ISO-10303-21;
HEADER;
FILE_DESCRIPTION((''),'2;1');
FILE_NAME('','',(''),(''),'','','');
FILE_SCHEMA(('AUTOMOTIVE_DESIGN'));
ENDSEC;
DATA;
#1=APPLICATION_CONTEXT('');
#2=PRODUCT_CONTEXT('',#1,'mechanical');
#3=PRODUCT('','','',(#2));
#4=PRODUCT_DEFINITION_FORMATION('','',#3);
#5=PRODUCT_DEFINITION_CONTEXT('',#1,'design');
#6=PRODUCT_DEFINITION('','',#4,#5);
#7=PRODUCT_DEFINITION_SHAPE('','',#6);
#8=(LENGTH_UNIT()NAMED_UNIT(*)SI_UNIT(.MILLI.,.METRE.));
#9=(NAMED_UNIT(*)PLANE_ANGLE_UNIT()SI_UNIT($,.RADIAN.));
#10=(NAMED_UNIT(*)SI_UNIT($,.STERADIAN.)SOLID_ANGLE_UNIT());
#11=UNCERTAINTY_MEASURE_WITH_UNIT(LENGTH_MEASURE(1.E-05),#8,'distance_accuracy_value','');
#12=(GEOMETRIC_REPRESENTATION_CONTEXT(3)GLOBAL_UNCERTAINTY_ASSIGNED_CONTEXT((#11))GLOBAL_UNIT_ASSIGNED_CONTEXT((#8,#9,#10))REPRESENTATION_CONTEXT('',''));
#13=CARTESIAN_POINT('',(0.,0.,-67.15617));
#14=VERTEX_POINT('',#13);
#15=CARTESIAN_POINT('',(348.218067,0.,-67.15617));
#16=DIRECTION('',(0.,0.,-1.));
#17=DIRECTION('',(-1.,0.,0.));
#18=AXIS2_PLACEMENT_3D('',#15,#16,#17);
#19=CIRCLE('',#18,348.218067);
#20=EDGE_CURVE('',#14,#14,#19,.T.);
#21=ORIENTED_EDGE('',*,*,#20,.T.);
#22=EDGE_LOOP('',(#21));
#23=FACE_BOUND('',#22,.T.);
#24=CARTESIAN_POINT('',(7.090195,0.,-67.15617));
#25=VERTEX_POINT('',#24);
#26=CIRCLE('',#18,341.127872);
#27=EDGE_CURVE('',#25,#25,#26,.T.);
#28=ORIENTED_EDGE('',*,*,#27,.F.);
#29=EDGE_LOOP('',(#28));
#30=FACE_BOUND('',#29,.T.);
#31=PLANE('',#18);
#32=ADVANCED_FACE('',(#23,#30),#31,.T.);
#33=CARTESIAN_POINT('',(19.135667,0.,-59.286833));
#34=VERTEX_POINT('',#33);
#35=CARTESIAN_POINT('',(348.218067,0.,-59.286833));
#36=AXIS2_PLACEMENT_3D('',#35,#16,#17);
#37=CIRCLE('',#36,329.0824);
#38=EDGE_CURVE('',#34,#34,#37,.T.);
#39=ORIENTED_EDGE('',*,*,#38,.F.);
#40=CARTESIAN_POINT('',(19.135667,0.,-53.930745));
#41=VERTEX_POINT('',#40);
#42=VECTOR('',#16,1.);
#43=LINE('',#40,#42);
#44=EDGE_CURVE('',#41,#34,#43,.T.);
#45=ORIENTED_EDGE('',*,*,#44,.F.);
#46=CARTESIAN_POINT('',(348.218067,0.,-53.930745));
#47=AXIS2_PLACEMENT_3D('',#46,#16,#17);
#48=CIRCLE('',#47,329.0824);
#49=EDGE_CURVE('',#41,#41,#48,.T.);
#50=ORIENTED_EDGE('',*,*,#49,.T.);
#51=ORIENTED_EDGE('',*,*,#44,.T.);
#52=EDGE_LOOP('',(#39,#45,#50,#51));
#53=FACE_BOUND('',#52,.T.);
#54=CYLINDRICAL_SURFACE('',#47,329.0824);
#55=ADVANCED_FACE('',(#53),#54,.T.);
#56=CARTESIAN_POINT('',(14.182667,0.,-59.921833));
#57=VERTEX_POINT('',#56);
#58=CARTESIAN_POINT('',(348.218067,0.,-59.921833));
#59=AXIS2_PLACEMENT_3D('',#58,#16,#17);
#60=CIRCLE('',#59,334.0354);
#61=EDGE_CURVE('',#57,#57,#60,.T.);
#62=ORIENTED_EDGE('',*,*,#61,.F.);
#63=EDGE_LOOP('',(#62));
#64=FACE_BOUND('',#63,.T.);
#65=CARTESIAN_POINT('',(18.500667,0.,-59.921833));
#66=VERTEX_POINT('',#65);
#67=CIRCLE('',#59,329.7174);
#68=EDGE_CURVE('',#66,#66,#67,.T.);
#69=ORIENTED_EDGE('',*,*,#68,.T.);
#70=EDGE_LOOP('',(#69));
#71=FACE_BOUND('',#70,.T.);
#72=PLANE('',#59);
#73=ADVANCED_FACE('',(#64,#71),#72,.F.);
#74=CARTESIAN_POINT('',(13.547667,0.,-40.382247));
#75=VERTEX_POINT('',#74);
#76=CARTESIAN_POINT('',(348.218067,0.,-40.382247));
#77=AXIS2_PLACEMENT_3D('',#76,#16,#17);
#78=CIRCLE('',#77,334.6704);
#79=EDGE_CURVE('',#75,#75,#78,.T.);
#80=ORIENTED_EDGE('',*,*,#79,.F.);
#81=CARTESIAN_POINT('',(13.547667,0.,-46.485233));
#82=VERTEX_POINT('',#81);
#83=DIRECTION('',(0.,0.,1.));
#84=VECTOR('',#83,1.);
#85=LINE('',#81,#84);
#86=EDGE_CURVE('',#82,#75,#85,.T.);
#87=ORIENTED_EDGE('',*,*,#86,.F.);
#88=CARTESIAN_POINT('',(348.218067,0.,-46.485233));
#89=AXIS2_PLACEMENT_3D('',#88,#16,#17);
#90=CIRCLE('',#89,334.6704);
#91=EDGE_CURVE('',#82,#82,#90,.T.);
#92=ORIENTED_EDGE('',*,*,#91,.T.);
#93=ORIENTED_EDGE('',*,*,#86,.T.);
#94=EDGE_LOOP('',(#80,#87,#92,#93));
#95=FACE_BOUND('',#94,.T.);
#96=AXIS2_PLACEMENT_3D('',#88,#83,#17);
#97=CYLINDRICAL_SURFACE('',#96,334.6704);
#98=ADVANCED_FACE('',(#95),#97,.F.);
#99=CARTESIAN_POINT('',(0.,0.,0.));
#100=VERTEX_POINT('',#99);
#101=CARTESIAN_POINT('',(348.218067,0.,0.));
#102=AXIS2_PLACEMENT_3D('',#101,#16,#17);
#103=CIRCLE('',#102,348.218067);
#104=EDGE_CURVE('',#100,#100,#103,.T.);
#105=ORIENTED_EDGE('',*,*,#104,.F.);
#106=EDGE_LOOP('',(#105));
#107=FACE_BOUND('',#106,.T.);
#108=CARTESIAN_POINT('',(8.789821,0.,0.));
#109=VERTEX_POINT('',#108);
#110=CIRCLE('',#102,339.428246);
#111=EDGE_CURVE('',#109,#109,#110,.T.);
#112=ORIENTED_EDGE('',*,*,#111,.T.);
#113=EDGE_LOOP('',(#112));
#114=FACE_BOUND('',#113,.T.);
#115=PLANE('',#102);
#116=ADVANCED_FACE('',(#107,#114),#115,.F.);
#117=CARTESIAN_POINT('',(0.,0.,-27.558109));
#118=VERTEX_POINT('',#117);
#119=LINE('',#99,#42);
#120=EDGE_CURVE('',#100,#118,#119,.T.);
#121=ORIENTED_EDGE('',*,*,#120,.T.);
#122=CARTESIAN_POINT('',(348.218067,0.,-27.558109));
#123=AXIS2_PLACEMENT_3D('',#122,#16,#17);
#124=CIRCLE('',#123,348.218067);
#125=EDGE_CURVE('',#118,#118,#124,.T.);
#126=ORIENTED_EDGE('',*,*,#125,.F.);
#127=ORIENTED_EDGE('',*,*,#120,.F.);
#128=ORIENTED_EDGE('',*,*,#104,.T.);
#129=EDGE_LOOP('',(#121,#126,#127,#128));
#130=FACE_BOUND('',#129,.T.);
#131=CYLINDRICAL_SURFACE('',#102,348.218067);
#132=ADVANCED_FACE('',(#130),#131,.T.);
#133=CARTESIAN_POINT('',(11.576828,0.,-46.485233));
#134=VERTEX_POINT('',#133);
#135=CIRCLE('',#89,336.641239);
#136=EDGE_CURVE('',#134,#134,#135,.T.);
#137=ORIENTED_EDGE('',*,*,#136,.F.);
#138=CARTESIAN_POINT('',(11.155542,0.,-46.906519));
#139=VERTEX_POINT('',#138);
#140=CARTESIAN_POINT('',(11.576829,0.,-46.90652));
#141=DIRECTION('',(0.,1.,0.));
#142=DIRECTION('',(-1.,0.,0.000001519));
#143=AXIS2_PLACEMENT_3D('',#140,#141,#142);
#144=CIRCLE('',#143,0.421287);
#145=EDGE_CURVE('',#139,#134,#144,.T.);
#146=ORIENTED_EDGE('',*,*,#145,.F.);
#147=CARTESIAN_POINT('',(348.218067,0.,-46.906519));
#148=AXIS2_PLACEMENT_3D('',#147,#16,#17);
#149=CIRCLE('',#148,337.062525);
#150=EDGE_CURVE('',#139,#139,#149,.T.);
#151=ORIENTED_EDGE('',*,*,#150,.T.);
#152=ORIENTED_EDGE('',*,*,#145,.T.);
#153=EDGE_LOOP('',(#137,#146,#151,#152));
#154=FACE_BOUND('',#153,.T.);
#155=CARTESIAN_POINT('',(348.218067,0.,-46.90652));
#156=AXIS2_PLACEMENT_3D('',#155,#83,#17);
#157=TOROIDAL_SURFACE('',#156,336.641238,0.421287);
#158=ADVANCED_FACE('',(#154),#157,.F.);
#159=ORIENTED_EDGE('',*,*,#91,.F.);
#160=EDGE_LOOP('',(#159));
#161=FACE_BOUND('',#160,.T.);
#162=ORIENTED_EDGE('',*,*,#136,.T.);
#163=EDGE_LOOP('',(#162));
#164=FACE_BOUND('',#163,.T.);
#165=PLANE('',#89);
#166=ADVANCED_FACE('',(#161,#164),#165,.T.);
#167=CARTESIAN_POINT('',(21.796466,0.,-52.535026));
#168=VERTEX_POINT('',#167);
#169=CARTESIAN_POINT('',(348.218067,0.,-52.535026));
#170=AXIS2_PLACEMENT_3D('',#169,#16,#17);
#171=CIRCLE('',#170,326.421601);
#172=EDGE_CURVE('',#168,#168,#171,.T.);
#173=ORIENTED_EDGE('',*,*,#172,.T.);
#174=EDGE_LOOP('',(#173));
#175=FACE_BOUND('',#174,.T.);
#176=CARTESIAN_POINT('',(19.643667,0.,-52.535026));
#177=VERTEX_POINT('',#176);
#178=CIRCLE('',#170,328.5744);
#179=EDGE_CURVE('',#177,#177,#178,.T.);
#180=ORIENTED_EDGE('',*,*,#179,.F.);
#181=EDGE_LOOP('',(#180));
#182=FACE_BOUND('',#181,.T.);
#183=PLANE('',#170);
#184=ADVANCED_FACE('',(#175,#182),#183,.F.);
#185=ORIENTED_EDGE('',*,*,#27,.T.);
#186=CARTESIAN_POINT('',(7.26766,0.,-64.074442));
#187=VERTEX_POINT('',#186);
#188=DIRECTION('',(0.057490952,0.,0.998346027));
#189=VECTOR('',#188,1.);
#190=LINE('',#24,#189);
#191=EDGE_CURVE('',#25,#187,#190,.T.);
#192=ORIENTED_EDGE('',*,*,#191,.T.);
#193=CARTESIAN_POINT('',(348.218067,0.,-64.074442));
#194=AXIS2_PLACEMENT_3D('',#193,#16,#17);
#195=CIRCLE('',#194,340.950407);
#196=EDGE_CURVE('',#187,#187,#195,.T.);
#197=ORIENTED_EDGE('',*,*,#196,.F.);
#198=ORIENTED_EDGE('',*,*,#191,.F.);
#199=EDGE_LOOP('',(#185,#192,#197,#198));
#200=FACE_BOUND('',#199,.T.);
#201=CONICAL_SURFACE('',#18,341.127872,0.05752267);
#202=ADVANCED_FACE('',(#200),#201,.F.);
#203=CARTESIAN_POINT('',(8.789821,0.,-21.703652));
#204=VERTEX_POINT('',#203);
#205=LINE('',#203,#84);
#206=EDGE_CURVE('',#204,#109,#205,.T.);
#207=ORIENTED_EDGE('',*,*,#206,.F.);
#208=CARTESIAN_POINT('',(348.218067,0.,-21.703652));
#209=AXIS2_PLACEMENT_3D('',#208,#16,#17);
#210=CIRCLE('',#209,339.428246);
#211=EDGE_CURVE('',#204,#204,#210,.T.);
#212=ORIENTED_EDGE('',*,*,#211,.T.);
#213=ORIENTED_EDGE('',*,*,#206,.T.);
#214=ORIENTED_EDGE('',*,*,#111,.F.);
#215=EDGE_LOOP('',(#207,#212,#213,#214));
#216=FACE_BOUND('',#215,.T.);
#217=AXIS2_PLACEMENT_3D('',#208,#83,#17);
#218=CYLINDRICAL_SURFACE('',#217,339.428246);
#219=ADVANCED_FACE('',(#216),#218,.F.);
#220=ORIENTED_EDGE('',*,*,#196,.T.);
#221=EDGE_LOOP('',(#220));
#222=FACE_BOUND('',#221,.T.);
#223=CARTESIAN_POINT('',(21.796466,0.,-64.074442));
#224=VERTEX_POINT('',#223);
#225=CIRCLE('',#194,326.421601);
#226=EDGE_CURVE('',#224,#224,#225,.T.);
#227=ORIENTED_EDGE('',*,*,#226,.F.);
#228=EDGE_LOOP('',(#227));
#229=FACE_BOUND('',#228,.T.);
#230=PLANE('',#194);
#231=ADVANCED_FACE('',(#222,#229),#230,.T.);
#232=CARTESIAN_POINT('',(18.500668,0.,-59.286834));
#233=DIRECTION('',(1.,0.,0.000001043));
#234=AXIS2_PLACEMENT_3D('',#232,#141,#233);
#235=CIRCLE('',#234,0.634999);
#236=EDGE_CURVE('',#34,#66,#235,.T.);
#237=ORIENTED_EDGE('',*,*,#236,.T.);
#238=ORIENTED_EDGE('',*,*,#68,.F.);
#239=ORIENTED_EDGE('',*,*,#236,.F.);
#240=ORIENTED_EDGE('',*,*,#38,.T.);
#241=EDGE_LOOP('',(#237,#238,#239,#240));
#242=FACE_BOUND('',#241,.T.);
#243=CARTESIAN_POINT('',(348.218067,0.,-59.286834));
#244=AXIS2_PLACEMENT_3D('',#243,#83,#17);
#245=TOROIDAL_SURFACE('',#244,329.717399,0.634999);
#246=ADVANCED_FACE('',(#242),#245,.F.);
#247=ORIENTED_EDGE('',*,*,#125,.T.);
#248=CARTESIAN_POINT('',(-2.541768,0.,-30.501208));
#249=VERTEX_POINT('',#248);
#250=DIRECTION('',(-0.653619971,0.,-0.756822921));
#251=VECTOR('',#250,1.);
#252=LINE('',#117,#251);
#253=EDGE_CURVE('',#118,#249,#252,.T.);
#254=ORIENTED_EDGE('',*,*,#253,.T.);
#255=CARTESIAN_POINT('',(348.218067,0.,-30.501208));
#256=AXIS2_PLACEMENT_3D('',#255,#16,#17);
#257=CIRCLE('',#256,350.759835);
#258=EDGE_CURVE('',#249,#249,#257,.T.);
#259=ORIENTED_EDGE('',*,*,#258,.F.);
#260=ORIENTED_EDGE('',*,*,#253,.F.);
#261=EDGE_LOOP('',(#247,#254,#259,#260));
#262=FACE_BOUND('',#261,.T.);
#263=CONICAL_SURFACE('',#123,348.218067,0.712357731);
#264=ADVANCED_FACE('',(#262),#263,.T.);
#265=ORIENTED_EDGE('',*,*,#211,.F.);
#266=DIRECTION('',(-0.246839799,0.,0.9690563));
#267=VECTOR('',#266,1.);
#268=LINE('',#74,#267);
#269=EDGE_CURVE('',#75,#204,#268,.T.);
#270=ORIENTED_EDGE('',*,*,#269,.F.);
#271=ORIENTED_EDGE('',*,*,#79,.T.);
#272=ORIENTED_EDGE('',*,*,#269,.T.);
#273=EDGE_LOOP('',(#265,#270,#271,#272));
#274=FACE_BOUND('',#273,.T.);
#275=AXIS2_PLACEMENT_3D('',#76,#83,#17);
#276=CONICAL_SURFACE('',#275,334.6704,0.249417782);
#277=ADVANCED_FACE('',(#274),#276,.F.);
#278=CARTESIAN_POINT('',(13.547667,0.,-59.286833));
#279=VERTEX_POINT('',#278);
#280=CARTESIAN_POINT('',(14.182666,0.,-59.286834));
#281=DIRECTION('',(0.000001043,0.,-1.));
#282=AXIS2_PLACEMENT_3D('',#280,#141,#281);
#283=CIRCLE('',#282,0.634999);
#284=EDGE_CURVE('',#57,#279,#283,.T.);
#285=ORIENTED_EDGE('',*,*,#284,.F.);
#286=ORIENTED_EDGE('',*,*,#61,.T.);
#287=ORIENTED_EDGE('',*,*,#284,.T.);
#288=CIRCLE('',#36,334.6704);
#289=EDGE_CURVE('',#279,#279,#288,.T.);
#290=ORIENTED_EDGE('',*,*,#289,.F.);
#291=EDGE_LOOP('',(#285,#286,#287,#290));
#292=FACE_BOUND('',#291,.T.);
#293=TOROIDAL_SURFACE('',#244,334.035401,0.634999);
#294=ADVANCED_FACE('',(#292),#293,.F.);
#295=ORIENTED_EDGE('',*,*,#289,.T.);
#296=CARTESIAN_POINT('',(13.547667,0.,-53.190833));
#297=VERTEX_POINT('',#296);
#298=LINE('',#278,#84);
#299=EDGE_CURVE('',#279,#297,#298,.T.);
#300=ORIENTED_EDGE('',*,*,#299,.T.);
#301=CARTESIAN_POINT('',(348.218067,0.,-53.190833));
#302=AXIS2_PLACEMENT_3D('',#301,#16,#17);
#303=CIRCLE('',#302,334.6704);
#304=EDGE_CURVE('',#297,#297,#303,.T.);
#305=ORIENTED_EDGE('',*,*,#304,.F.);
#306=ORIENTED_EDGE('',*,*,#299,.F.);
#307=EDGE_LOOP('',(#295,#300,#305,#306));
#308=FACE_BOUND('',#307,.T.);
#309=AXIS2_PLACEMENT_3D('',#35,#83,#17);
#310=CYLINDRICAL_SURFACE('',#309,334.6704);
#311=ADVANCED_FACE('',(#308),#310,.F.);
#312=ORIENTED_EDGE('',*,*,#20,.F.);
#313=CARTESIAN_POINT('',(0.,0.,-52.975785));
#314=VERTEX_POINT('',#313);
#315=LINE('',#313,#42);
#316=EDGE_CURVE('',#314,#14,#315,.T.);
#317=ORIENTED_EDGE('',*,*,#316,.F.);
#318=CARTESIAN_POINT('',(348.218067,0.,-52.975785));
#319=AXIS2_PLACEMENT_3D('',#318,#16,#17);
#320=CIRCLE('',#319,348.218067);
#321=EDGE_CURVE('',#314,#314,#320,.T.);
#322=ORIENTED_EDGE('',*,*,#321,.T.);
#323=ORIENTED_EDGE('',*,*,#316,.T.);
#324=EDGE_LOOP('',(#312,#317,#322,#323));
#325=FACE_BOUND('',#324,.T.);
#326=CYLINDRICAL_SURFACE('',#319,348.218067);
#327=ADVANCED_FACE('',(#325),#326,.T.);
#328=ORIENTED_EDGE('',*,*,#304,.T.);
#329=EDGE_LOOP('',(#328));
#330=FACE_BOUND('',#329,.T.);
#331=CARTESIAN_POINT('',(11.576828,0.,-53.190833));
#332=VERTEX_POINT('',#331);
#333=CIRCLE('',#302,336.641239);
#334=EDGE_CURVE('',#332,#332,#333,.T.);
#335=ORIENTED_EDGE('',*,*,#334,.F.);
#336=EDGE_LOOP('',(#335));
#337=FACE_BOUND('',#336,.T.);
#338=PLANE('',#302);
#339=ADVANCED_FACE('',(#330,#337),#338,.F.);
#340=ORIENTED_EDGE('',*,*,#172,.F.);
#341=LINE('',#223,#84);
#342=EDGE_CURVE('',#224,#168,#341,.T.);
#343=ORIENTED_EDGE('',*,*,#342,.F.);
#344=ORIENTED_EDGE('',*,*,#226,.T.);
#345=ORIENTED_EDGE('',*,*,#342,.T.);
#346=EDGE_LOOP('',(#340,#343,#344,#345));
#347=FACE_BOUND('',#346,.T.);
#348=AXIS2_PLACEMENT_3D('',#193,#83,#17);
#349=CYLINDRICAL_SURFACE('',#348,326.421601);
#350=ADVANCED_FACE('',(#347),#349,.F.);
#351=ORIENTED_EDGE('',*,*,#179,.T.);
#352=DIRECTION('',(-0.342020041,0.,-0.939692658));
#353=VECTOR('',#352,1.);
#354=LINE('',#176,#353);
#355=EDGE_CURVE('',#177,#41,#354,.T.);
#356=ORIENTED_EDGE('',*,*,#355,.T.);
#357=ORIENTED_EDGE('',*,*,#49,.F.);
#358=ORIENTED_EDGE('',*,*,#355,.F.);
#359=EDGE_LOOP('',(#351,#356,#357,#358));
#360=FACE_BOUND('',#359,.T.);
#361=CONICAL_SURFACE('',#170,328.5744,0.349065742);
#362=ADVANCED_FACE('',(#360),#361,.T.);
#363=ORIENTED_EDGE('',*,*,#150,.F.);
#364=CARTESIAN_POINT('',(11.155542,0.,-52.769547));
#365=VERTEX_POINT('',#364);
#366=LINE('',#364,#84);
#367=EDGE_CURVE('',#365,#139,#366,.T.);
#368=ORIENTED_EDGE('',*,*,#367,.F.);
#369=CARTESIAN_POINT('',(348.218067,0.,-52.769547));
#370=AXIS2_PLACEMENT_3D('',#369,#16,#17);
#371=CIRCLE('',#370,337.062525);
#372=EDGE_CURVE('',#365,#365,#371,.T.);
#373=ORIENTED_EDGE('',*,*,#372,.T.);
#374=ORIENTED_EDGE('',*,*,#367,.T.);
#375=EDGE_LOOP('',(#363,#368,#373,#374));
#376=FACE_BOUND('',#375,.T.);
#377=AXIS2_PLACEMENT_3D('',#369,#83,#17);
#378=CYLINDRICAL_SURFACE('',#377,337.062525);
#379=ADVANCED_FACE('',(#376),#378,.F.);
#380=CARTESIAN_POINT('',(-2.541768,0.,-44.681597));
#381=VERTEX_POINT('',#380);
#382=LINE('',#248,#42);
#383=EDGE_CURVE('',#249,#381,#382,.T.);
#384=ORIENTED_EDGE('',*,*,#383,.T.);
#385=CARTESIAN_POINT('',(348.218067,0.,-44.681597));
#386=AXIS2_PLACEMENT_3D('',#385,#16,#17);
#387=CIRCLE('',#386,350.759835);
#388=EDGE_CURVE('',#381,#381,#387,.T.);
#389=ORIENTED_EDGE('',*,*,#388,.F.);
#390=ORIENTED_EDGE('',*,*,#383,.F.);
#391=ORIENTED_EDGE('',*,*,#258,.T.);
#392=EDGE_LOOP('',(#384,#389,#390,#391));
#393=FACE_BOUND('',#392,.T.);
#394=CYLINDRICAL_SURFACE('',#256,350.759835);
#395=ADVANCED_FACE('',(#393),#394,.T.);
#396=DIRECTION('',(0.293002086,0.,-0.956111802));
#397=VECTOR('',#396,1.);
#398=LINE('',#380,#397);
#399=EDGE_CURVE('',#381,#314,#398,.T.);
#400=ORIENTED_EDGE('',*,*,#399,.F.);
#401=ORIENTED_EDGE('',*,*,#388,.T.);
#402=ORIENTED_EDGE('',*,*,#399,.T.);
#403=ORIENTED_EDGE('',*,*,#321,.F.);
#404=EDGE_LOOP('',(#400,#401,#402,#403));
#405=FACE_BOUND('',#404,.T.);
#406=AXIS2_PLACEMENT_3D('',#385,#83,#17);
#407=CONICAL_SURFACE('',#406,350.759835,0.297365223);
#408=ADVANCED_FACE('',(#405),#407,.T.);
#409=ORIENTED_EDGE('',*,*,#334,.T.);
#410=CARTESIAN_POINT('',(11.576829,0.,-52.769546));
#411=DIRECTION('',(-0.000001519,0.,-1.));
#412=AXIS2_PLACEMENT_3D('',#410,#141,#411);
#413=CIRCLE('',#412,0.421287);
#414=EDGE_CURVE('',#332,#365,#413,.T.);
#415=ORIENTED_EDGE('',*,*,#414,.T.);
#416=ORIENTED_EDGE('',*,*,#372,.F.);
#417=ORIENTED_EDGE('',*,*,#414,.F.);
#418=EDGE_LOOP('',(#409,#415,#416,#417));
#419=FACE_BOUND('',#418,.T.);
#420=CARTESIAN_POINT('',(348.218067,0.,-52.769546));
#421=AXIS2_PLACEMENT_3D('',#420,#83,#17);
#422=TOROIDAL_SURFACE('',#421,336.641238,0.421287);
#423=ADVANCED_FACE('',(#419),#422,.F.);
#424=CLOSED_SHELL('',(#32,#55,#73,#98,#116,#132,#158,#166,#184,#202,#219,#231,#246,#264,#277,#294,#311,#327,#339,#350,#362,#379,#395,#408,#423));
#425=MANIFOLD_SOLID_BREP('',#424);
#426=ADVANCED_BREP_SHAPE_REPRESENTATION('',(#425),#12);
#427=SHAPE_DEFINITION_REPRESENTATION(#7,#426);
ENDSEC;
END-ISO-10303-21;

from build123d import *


with BuildPart() as f1:
    # F0 (on Front) → F1 (revolve)
    with BuildSketch(Plane.XZ):
        with BuildLine():
            Line((8.789821, 0), (0, 0))
            Line((0, 0), (0, -27.558109))
            Line((0, -27.558109), (-2.541768, -30.501208))
            Line((-2.541768, -30.501208), (-2.541768, -44.681597))
            Line((-2.541768, -44.681597), (0, -52.975785))
            Line((0, -52.975785), (0, -67.15617))
            Line((0, -67.15617), (7.090195, -67.15617))
            Line((7.090195, -67.15617), (7.26766, -64.074442))
            Line((7.26766, -64.074442), (21.796466, -64.074442))
            Line((21.796466, -64.074442), (21.796466, -52.535026))
            Line((21.796466, -52.535026), (19.643667, -52.535026))
            Line((19.643667, -52.535026), (19.135667, -53.930745))
            Line((19.135667, -53.930745), (19.135667, -59.286833))
            ThreePointArc((19.135667, -59.286833), (18.94968, -59.735846), (18.500667, -59.921833))
            Line((18.500667, -59.921833), (14.182667, -59.921833))
            ThreePointArc((14.182667, -59.921833), (13.733654, -59.735846), (13.547667, -59.286833))
            Line((13.547667, -59.286833), (13.547667, -53.190833))
            Line((13.547667, -53.190833), (11.576828, -53.190833))
            ThreePointArc((11.576828, -53.190833), (11.278934, -53.067441), (11.155542, -52.769547))
            Line((11.155542, -52.769547), (11.155542, -46.906519))
            ThreePointArc((11.155542, -46.906519), (11.278934, -46.608625), (11.576828, -46.485233))
            Line((11.576828, -46.485233), (13.547667, -46.485233))
            Line((13.547667, -46.485233), (13.547667, -40.382247))
            Line((13.547667, -40.382247), (8.789821, -21.703652))
            Line((8.789821, -21.703652), (8.789821, 0))
        make_face()
    revolve(axis=Axis((348.218067, 0, -57.259452), (0, 0, -1)))


solid = f1.part
